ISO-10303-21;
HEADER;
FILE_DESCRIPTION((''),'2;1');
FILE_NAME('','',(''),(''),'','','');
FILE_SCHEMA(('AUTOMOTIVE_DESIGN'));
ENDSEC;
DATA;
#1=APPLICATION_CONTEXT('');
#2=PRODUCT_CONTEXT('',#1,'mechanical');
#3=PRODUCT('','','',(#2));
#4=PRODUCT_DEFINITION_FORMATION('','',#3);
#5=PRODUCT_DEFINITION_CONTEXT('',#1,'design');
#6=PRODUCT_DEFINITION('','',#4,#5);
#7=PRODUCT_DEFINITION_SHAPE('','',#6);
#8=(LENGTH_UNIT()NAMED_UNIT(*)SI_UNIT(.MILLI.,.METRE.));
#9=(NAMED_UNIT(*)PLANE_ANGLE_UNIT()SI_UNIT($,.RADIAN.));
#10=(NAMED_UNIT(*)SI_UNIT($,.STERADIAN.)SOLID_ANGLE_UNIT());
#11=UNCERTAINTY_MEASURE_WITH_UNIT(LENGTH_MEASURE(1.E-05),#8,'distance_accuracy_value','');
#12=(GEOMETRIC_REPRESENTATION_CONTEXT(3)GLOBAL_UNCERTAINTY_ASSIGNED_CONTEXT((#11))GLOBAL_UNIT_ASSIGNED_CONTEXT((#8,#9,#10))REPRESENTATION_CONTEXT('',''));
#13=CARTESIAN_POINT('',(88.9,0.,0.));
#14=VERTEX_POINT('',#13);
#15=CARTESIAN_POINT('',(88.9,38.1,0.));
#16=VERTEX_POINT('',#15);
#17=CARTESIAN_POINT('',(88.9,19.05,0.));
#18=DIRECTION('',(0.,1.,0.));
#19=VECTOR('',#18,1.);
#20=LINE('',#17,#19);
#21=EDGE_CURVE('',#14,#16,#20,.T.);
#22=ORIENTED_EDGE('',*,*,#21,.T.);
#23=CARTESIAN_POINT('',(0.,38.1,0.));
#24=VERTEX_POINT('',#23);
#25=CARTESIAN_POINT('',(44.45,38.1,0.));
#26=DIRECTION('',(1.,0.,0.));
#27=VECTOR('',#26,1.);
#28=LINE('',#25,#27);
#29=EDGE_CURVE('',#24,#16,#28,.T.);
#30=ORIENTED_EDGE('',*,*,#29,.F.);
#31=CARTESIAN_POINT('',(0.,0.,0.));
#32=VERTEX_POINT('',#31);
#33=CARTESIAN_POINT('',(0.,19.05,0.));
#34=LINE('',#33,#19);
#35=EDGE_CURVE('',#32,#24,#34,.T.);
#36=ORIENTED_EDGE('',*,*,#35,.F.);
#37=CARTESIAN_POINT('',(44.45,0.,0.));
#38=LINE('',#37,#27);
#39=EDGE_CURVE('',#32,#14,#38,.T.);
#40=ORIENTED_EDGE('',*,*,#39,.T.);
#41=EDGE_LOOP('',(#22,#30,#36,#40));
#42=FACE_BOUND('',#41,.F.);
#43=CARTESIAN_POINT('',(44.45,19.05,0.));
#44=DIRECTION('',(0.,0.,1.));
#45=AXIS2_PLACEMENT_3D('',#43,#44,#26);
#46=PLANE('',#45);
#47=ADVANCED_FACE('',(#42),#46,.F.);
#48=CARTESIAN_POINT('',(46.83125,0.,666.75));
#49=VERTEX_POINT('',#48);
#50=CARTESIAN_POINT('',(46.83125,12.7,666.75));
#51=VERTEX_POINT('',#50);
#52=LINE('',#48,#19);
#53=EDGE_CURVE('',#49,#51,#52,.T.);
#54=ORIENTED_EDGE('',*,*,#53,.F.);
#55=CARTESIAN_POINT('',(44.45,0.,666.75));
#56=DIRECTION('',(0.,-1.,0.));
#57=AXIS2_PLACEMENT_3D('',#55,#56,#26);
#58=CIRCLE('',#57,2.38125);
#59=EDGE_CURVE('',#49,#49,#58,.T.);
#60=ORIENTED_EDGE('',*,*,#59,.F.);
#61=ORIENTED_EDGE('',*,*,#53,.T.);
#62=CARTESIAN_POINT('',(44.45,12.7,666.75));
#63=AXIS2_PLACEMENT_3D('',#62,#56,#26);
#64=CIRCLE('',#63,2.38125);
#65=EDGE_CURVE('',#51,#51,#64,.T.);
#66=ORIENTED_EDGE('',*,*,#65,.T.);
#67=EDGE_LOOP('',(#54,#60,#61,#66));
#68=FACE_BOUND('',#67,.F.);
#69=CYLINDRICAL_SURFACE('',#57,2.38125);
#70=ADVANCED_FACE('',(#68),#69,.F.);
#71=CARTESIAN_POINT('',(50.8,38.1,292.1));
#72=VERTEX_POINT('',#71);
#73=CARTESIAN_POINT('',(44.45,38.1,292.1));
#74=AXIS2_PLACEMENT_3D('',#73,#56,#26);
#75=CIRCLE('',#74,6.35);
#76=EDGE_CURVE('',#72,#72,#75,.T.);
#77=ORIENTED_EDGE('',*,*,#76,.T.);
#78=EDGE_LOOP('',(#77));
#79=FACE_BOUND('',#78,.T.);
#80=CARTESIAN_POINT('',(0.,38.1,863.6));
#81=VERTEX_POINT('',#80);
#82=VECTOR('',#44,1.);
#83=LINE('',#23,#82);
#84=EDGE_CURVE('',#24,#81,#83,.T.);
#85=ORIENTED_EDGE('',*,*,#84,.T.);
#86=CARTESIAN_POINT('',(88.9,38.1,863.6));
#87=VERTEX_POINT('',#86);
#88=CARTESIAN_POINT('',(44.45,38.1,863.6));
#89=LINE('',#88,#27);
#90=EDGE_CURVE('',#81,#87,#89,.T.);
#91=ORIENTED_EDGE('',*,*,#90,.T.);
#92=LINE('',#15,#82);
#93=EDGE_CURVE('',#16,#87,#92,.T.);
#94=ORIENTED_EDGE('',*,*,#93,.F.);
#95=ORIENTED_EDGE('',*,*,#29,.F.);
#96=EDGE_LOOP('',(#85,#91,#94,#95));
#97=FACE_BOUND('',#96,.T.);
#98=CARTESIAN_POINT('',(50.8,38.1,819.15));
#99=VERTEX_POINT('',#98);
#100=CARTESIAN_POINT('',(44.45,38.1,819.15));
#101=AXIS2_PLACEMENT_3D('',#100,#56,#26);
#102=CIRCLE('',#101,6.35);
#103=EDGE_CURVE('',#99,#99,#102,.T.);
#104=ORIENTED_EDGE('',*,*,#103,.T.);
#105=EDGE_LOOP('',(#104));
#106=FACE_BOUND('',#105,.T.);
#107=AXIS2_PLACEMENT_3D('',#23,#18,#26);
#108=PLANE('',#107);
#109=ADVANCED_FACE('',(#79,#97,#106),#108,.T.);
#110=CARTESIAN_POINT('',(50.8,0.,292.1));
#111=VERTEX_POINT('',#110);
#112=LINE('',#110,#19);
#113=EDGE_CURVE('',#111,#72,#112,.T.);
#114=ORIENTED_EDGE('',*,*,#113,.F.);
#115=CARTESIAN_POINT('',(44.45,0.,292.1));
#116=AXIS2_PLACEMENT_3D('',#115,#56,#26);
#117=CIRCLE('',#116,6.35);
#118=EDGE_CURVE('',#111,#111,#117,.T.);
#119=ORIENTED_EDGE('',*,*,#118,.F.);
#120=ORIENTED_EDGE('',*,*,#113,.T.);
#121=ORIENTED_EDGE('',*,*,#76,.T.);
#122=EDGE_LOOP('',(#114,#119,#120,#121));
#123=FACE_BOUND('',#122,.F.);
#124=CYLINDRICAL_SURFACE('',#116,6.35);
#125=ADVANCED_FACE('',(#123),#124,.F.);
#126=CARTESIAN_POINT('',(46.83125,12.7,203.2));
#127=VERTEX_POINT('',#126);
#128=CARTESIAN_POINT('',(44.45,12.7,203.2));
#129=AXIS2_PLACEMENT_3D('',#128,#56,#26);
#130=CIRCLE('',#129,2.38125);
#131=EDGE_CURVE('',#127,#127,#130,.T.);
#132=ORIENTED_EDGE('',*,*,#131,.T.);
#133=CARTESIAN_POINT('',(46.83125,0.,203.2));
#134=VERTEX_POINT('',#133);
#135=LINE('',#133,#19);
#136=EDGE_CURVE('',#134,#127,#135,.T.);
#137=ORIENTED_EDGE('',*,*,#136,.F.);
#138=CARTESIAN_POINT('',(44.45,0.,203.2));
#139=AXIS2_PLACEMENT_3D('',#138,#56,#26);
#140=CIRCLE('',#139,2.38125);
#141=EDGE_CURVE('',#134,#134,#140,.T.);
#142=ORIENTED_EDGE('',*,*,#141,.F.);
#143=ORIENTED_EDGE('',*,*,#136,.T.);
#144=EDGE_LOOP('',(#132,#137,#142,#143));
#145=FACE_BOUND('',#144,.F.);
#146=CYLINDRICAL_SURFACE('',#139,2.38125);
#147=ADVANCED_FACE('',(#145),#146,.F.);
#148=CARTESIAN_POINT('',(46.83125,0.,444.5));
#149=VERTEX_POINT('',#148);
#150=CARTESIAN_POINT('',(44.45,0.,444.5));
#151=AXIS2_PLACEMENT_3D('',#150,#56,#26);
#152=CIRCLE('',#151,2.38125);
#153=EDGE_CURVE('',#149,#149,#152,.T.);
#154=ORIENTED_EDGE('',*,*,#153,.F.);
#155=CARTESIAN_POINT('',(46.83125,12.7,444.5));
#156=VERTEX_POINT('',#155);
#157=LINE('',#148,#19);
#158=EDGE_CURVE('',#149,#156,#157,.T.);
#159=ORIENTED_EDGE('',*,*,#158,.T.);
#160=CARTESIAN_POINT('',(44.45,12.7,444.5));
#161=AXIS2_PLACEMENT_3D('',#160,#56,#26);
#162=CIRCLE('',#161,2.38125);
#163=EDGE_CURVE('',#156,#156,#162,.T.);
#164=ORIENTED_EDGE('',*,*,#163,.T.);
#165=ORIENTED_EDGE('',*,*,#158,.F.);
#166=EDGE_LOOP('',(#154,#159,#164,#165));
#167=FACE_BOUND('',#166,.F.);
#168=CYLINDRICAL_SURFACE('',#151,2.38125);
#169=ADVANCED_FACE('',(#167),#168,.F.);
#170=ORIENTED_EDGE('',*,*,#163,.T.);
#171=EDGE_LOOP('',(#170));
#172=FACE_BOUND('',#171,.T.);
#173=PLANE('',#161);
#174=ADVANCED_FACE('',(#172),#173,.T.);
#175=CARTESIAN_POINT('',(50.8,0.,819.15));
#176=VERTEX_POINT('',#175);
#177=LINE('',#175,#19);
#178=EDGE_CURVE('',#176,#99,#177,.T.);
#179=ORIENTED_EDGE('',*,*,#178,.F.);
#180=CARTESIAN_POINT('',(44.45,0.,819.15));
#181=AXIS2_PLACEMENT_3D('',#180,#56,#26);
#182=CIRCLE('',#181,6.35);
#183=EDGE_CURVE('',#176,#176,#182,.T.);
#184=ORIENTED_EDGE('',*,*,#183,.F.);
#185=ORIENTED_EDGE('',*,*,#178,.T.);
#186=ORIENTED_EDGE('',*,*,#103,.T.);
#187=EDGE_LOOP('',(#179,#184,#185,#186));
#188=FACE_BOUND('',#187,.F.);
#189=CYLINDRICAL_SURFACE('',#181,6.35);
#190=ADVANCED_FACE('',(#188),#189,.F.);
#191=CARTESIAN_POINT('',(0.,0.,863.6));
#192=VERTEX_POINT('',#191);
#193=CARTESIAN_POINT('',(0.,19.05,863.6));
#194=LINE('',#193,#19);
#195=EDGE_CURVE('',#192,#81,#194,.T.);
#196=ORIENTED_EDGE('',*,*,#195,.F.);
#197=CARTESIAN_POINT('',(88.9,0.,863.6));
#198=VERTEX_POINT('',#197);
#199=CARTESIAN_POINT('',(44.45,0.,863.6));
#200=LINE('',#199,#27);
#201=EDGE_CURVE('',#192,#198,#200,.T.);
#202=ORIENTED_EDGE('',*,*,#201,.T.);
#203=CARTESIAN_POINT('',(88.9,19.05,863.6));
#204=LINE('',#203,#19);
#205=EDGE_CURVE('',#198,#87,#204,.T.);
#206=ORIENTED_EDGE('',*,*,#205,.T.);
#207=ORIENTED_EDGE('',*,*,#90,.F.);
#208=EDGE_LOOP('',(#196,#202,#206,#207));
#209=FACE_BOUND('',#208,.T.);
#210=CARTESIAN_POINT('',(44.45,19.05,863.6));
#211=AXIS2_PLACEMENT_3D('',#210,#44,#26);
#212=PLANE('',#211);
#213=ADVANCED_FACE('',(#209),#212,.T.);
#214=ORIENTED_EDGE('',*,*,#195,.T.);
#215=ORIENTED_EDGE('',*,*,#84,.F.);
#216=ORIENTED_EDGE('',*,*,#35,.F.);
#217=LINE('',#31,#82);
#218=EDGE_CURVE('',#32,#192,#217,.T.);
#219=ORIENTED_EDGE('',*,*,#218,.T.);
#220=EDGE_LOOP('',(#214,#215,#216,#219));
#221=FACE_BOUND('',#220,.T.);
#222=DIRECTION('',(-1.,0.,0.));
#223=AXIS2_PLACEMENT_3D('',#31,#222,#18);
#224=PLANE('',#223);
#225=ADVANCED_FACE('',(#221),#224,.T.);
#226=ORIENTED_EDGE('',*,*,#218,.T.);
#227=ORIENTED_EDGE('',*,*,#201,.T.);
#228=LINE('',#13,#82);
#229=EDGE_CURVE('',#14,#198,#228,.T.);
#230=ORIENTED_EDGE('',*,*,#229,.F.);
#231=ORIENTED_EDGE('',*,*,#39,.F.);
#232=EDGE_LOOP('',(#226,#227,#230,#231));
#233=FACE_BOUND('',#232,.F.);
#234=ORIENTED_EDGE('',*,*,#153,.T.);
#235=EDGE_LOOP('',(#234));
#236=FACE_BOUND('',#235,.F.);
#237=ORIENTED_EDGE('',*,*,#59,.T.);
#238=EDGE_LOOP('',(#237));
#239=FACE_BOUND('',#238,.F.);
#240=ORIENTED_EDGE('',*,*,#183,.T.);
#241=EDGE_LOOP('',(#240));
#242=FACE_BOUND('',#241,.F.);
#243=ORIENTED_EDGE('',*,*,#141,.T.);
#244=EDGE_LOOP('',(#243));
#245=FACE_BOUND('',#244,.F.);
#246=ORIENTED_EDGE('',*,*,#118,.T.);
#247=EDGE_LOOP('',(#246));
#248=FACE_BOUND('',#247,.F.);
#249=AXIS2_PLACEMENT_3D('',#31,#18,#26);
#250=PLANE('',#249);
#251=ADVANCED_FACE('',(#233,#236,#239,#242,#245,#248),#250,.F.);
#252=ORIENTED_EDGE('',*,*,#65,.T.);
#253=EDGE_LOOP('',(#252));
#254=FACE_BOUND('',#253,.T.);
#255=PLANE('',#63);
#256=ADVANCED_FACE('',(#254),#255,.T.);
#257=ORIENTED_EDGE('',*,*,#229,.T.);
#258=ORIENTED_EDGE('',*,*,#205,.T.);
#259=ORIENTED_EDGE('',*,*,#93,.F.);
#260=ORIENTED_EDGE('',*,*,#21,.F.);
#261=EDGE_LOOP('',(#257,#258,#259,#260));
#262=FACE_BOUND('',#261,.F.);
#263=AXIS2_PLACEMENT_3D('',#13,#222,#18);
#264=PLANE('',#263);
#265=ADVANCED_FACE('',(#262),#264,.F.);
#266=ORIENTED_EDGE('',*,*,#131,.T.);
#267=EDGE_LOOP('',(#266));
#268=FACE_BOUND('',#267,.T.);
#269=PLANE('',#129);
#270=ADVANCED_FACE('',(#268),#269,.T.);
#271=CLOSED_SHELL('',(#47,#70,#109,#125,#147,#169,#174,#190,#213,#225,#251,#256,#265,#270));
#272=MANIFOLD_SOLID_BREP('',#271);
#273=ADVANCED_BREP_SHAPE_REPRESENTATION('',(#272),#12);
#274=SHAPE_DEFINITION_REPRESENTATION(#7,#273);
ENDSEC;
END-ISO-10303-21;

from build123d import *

# Parameters (mm, degrees)
SKETCH002_AS_DRAWN_R                 = 2.38125
EXTRUDE002_DEPTH                     = 12.7
EXTRUDE002_ONTO_SKETCH002_ROLL_ANGLE = 90
SKETCH001_AS_DRAWN_R                 = 6.35
EXTRUDE001_DEPTH                     = 50.8
EXTRUDE001_ONTO_SKETCH001_ROLL_ANGLE = 90
SKETCH_W                             = 88.9
SKETCH_H                             = 38.1
EXTRUDE_DEPTH                        = 863.6


with BuildPart() as extrude002:
    # Sketch002 as drawn → Extrude002 (new)
    with BuildSketch(Plane.XY):
        with Locations((44.45, 203.2)):
            Circle(SKETCH002_AS_DRAWN_R)
        with Locations((44.45, 666.75)):
            Circle(SKETCH002_AS_DRAWN_R)
        with Locations((44.45, 444.5)):
            Circle(SKETCH002_AS_DRAWN_R)
    extrude(amount=-EXTRUDE002_DEPTH)


with BuildPart() as extrude002_1:
    # Extrude002 onto Sketch002 roll: moved
    add(extrude002.part.rotate(Axis((0, 0, 0), (1, 0, 0)), EXTRUDE002_ONTO_SKETCH002_ROLL_ANGLE))


with BuildPart() as extrude002_2:
    # Extrude002 onto Sketch002 placement: moved
    add(extrude002_1.part)


with BuildPart() as extrude001:
    # Sketch001 as drawn → Extrude001 (new)
    with BuildSketch(Plane.XY):
        with Locations((44.45, 292.1)):
            Circle(SKETCH001_AS_DRAWN_R)
        with Locations((44.45, 819.15)):
            Circle(SKETCH001_AS_DRAWN_R)
    extrude(amount=-EXTRUDE001_DEPTH)


with BuildPart() as extrude001_1:
    # Extrude001 onto Sketch001 roll: moved
    add(extrude001.part.rotate(Axis((0, 0, 0), (1, 0, 0)), EXTRUDE001_ONTO_SKETCH001_ROLL_ANGLE))


with BuildPart() as extrude001_2:
    # Extrude001 onto Sketch001 placement: moved
    add(extrude001_1.part)


with BuildPart() as cut001:
    # Sketch → Extrude (new body)
    with BuildSketch(Plane.XY):
        with Locations((44.45, 19.05)):
            Rectangle(SKETCH_W, SKETCH_H)
    extrude(amount=EXTRUDE_DEPTH)

    # Cut: cut Extrude001
    add(extrude001_2.part, mode=Mode.SUBTRACT)

    # Cut001: cut Extrude002
    add(extrude002_2.part, mode=Mode.SUBTRACT)


solid = cut001.part
